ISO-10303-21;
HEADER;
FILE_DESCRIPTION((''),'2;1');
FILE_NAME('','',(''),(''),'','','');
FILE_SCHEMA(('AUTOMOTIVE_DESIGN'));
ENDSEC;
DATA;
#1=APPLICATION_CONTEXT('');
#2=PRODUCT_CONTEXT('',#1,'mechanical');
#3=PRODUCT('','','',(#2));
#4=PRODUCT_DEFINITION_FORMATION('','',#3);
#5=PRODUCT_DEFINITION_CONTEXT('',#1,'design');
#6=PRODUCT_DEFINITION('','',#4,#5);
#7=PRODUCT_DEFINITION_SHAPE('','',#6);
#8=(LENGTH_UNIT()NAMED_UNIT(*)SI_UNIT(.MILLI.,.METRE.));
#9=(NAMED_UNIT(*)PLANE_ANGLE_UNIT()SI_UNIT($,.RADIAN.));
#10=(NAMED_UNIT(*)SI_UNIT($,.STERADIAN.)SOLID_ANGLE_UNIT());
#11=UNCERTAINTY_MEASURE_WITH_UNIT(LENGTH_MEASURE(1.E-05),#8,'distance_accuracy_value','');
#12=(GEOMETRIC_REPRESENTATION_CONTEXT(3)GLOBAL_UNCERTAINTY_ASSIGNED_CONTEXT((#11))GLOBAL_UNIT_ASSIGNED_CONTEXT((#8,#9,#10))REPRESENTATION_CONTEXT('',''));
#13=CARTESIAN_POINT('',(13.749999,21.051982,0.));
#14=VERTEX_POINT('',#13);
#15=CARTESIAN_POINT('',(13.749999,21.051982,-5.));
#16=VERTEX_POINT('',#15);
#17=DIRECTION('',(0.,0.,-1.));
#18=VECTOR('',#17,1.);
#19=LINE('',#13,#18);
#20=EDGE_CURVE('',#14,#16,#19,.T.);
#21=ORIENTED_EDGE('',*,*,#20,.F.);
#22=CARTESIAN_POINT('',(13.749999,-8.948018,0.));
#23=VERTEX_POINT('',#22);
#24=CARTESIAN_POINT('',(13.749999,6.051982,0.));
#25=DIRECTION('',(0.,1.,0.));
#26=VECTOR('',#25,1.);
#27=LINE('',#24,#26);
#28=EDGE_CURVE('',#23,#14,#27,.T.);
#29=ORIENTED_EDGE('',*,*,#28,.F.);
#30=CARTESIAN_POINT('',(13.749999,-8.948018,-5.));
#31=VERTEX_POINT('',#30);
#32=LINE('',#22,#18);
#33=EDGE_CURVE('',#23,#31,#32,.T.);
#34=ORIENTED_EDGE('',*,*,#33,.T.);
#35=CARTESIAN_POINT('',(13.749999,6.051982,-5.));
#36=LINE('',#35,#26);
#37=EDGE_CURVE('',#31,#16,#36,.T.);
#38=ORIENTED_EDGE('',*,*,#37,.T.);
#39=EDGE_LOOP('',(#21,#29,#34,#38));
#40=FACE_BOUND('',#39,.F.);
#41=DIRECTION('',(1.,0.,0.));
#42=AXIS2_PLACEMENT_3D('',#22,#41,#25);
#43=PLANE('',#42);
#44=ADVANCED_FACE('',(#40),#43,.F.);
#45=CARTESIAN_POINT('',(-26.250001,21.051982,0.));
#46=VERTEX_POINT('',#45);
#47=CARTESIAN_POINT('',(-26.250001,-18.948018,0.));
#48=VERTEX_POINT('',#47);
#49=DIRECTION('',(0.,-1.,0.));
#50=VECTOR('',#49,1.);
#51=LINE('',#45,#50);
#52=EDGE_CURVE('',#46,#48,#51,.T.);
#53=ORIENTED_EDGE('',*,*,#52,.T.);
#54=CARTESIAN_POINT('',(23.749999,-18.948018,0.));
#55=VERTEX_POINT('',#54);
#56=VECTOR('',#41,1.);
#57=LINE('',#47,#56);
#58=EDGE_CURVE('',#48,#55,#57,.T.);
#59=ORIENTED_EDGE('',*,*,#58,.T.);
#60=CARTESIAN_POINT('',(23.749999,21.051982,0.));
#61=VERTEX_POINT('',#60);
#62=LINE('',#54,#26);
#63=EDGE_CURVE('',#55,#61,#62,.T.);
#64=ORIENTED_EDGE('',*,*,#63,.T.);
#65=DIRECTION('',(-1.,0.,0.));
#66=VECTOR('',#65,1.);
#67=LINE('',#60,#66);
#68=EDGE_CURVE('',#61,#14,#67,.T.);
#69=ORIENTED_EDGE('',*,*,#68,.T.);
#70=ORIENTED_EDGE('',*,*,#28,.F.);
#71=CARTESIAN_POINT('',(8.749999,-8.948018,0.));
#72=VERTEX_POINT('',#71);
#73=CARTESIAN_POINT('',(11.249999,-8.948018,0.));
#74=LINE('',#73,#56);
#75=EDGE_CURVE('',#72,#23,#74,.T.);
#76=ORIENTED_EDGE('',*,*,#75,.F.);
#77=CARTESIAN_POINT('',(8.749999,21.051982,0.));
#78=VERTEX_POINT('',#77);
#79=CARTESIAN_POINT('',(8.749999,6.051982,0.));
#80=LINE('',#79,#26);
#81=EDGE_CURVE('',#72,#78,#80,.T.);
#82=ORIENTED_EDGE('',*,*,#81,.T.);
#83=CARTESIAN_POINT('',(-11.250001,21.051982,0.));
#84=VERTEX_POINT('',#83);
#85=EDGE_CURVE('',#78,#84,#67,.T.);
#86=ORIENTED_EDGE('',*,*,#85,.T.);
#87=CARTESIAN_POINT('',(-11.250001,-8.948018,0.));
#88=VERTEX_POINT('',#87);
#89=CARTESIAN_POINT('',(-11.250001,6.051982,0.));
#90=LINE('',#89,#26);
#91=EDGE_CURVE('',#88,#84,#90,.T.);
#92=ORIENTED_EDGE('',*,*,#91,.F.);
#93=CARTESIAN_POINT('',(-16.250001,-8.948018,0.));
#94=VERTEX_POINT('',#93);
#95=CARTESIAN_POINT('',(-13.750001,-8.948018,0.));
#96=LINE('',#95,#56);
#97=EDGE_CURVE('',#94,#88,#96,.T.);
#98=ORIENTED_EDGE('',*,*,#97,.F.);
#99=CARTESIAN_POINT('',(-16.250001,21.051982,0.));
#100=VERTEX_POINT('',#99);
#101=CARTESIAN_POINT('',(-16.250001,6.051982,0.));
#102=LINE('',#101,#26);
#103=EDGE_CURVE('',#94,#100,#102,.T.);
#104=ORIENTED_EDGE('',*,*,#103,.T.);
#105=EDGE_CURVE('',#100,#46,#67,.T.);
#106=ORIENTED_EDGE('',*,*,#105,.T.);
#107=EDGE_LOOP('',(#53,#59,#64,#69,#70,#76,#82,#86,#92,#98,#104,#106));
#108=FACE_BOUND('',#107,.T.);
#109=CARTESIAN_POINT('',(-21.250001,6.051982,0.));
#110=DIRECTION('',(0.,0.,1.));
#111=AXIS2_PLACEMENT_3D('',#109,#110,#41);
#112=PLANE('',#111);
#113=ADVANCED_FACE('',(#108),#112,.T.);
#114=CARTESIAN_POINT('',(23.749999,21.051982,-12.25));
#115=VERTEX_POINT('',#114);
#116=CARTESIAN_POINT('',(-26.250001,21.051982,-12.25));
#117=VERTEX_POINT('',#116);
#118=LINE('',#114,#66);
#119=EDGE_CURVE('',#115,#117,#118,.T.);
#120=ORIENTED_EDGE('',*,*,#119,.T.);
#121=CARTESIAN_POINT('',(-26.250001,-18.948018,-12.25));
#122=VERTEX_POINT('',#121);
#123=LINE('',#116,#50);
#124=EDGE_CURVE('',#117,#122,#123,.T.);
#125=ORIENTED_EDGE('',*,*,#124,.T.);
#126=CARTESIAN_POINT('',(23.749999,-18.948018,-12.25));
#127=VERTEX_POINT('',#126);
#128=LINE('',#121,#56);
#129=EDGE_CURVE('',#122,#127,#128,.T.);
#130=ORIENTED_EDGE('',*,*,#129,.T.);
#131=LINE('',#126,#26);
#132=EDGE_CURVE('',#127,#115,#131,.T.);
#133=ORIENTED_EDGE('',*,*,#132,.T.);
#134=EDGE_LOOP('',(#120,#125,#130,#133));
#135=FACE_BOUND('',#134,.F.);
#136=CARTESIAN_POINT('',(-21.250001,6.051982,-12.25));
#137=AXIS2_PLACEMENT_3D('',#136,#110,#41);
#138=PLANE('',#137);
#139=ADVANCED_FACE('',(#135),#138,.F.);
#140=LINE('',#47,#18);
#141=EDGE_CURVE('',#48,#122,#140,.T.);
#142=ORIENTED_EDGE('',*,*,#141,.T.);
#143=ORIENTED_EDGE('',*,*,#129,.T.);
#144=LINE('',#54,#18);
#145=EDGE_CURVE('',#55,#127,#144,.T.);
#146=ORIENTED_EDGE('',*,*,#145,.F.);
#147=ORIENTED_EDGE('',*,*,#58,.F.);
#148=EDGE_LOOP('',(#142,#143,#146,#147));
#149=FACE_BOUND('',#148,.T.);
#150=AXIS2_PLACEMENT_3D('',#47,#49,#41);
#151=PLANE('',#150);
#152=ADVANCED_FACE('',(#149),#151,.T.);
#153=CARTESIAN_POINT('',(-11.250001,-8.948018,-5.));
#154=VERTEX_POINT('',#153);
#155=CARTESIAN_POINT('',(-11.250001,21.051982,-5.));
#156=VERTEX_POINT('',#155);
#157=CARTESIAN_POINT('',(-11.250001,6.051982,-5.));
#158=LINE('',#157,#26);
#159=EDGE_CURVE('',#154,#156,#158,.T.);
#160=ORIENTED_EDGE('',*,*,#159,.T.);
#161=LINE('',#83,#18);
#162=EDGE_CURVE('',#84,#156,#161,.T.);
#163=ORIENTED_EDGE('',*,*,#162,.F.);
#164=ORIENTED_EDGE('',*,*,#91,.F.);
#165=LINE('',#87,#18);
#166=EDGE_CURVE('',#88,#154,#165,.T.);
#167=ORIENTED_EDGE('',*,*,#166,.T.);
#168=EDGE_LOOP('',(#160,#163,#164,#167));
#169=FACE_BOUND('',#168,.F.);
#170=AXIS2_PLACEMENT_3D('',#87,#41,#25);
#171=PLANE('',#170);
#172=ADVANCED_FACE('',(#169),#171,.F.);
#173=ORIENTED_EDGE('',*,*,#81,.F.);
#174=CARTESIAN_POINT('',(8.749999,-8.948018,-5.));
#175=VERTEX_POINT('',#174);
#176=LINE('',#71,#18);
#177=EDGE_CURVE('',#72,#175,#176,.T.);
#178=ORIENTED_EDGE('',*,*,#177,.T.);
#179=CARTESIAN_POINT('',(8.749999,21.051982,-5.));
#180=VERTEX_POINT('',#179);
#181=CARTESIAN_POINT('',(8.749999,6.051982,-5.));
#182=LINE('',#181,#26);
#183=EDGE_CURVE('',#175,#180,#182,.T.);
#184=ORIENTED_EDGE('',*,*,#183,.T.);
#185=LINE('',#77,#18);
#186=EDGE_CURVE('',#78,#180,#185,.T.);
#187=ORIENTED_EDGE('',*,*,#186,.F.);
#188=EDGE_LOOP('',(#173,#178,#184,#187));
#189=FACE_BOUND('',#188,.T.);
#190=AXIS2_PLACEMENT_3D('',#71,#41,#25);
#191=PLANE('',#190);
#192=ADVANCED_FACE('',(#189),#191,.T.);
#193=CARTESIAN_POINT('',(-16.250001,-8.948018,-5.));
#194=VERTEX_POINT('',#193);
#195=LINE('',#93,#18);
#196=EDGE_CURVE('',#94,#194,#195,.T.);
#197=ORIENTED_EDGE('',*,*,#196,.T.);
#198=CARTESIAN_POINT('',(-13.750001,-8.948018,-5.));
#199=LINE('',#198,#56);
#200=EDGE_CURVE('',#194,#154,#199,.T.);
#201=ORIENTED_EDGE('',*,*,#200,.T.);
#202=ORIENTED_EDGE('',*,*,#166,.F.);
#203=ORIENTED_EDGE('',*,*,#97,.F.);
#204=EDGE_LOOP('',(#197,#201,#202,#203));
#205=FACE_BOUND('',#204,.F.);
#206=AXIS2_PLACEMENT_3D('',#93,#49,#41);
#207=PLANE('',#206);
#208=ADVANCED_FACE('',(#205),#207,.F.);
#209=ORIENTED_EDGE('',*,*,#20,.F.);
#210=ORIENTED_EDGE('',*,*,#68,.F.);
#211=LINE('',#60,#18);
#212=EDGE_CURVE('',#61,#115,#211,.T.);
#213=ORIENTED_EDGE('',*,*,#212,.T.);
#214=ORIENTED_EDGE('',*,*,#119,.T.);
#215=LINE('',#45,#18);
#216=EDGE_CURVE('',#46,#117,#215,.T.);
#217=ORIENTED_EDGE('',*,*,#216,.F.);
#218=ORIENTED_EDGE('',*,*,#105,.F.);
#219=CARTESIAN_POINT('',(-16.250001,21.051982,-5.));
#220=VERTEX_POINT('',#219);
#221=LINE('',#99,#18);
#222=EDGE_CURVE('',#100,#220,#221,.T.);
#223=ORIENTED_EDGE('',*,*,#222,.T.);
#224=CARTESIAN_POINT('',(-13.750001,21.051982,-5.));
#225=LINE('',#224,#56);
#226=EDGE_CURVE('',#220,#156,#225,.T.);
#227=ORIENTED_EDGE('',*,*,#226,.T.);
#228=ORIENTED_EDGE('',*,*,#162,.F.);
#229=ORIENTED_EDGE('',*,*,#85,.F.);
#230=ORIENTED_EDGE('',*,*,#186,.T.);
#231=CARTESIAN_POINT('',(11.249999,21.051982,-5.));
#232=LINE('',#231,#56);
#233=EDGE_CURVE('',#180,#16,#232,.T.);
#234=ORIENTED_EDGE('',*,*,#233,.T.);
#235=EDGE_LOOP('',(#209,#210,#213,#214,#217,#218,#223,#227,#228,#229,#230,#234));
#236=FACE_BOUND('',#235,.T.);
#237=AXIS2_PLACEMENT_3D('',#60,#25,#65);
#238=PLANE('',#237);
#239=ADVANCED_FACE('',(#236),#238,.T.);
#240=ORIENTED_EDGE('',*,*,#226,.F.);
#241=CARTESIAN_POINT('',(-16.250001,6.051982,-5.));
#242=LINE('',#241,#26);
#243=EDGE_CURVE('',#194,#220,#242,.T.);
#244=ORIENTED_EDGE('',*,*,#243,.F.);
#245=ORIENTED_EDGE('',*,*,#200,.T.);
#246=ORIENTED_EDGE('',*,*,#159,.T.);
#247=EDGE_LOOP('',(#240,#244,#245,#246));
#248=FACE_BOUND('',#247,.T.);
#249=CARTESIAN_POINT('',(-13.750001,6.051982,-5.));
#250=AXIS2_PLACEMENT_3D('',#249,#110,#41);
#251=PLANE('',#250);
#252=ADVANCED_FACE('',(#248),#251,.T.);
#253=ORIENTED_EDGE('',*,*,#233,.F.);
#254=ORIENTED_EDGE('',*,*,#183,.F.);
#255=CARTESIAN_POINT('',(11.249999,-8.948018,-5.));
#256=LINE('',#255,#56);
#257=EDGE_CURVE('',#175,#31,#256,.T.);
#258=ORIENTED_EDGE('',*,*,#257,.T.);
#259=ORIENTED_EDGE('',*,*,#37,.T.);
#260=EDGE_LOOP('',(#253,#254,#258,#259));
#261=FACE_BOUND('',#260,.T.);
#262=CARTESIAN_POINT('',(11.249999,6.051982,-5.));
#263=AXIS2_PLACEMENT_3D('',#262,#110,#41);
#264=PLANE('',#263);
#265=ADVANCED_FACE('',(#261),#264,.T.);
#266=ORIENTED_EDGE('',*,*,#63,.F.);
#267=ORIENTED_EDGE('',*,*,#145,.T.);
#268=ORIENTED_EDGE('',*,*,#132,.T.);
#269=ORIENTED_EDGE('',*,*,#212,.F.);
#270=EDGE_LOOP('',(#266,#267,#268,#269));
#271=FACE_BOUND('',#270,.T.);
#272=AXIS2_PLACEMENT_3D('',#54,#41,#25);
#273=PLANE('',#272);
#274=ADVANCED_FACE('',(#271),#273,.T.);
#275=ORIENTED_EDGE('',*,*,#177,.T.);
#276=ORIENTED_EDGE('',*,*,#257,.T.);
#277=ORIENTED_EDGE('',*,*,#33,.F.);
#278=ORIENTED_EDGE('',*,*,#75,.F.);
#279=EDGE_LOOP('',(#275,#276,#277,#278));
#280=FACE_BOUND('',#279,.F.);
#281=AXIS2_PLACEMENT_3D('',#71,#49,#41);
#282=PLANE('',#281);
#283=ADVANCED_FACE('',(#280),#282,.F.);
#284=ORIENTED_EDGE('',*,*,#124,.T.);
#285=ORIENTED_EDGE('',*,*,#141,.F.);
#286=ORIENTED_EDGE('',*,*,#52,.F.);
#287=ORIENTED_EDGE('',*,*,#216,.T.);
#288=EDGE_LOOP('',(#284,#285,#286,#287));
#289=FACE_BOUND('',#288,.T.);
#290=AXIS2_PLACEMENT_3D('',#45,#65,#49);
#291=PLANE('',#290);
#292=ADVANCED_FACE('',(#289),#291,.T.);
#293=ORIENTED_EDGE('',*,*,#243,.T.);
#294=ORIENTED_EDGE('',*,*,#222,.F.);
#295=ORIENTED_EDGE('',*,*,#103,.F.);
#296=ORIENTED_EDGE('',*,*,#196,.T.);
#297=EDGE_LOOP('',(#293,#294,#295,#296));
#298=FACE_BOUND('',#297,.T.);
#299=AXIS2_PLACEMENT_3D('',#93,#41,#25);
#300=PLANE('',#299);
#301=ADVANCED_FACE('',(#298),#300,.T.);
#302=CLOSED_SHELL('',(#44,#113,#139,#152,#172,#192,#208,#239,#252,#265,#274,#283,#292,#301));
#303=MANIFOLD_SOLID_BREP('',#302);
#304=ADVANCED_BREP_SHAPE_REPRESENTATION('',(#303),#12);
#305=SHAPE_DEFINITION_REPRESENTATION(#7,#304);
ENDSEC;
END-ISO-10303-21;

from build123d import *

# Parameters (mm, degrees)
F0_W     = 10
F0_H     = 30
F0_W_2   = 5
F0_W_3   = 20
F1_DEPTH = 12.25
F2_DEPTH = 5


with BuildPart() as f1:
    # F0 (on Top) → F1 (new body)
    with BuildSketch(Plane.XY):
        with Locations((-21.250001, 6.051982)):
            Rectangle(F0_W, F0_H)
        with Locations((-13.750001, 6.051982)):
            Rectangle(F0_W_2, F0_H)
        Polygon((-16.250001, -8.948018), (-26.250001, -8.948018), (-26.250001, -18.948018), (23.749999, -18.948018), (23.749999, -8.948018), (13.749999, -8.948018), (8.749999, -8.948018), (-11.250001, -8.948018), align=None)
        with Locations((-1.250001, 6.051982)):
            Rectangle(F0_W_3, F0_H)
        with Locations((11.249999, 6.051982)):
            Rectangle(F0_W_2, F0_H)
        with Locations((18.749999, 6.051982)):
            Rectangle(F0_W, F0_H)
    extrude(amount=-F1_DEPTH)

    # F0 (on Top) → F2 (cut)
    with BuildSketch(Plane.XY):
        with Locations((-13.750001, 6.051982)):
            Rectangle(F0_W_2, F0_H)
        with Locations((11.249999, 6.051982)):
            Rectangle(F0_W_2, F0_H)
    extrude(amount=-F2_DEPTH, mode=Mode.SUBTRACT)


solid = f1.part
